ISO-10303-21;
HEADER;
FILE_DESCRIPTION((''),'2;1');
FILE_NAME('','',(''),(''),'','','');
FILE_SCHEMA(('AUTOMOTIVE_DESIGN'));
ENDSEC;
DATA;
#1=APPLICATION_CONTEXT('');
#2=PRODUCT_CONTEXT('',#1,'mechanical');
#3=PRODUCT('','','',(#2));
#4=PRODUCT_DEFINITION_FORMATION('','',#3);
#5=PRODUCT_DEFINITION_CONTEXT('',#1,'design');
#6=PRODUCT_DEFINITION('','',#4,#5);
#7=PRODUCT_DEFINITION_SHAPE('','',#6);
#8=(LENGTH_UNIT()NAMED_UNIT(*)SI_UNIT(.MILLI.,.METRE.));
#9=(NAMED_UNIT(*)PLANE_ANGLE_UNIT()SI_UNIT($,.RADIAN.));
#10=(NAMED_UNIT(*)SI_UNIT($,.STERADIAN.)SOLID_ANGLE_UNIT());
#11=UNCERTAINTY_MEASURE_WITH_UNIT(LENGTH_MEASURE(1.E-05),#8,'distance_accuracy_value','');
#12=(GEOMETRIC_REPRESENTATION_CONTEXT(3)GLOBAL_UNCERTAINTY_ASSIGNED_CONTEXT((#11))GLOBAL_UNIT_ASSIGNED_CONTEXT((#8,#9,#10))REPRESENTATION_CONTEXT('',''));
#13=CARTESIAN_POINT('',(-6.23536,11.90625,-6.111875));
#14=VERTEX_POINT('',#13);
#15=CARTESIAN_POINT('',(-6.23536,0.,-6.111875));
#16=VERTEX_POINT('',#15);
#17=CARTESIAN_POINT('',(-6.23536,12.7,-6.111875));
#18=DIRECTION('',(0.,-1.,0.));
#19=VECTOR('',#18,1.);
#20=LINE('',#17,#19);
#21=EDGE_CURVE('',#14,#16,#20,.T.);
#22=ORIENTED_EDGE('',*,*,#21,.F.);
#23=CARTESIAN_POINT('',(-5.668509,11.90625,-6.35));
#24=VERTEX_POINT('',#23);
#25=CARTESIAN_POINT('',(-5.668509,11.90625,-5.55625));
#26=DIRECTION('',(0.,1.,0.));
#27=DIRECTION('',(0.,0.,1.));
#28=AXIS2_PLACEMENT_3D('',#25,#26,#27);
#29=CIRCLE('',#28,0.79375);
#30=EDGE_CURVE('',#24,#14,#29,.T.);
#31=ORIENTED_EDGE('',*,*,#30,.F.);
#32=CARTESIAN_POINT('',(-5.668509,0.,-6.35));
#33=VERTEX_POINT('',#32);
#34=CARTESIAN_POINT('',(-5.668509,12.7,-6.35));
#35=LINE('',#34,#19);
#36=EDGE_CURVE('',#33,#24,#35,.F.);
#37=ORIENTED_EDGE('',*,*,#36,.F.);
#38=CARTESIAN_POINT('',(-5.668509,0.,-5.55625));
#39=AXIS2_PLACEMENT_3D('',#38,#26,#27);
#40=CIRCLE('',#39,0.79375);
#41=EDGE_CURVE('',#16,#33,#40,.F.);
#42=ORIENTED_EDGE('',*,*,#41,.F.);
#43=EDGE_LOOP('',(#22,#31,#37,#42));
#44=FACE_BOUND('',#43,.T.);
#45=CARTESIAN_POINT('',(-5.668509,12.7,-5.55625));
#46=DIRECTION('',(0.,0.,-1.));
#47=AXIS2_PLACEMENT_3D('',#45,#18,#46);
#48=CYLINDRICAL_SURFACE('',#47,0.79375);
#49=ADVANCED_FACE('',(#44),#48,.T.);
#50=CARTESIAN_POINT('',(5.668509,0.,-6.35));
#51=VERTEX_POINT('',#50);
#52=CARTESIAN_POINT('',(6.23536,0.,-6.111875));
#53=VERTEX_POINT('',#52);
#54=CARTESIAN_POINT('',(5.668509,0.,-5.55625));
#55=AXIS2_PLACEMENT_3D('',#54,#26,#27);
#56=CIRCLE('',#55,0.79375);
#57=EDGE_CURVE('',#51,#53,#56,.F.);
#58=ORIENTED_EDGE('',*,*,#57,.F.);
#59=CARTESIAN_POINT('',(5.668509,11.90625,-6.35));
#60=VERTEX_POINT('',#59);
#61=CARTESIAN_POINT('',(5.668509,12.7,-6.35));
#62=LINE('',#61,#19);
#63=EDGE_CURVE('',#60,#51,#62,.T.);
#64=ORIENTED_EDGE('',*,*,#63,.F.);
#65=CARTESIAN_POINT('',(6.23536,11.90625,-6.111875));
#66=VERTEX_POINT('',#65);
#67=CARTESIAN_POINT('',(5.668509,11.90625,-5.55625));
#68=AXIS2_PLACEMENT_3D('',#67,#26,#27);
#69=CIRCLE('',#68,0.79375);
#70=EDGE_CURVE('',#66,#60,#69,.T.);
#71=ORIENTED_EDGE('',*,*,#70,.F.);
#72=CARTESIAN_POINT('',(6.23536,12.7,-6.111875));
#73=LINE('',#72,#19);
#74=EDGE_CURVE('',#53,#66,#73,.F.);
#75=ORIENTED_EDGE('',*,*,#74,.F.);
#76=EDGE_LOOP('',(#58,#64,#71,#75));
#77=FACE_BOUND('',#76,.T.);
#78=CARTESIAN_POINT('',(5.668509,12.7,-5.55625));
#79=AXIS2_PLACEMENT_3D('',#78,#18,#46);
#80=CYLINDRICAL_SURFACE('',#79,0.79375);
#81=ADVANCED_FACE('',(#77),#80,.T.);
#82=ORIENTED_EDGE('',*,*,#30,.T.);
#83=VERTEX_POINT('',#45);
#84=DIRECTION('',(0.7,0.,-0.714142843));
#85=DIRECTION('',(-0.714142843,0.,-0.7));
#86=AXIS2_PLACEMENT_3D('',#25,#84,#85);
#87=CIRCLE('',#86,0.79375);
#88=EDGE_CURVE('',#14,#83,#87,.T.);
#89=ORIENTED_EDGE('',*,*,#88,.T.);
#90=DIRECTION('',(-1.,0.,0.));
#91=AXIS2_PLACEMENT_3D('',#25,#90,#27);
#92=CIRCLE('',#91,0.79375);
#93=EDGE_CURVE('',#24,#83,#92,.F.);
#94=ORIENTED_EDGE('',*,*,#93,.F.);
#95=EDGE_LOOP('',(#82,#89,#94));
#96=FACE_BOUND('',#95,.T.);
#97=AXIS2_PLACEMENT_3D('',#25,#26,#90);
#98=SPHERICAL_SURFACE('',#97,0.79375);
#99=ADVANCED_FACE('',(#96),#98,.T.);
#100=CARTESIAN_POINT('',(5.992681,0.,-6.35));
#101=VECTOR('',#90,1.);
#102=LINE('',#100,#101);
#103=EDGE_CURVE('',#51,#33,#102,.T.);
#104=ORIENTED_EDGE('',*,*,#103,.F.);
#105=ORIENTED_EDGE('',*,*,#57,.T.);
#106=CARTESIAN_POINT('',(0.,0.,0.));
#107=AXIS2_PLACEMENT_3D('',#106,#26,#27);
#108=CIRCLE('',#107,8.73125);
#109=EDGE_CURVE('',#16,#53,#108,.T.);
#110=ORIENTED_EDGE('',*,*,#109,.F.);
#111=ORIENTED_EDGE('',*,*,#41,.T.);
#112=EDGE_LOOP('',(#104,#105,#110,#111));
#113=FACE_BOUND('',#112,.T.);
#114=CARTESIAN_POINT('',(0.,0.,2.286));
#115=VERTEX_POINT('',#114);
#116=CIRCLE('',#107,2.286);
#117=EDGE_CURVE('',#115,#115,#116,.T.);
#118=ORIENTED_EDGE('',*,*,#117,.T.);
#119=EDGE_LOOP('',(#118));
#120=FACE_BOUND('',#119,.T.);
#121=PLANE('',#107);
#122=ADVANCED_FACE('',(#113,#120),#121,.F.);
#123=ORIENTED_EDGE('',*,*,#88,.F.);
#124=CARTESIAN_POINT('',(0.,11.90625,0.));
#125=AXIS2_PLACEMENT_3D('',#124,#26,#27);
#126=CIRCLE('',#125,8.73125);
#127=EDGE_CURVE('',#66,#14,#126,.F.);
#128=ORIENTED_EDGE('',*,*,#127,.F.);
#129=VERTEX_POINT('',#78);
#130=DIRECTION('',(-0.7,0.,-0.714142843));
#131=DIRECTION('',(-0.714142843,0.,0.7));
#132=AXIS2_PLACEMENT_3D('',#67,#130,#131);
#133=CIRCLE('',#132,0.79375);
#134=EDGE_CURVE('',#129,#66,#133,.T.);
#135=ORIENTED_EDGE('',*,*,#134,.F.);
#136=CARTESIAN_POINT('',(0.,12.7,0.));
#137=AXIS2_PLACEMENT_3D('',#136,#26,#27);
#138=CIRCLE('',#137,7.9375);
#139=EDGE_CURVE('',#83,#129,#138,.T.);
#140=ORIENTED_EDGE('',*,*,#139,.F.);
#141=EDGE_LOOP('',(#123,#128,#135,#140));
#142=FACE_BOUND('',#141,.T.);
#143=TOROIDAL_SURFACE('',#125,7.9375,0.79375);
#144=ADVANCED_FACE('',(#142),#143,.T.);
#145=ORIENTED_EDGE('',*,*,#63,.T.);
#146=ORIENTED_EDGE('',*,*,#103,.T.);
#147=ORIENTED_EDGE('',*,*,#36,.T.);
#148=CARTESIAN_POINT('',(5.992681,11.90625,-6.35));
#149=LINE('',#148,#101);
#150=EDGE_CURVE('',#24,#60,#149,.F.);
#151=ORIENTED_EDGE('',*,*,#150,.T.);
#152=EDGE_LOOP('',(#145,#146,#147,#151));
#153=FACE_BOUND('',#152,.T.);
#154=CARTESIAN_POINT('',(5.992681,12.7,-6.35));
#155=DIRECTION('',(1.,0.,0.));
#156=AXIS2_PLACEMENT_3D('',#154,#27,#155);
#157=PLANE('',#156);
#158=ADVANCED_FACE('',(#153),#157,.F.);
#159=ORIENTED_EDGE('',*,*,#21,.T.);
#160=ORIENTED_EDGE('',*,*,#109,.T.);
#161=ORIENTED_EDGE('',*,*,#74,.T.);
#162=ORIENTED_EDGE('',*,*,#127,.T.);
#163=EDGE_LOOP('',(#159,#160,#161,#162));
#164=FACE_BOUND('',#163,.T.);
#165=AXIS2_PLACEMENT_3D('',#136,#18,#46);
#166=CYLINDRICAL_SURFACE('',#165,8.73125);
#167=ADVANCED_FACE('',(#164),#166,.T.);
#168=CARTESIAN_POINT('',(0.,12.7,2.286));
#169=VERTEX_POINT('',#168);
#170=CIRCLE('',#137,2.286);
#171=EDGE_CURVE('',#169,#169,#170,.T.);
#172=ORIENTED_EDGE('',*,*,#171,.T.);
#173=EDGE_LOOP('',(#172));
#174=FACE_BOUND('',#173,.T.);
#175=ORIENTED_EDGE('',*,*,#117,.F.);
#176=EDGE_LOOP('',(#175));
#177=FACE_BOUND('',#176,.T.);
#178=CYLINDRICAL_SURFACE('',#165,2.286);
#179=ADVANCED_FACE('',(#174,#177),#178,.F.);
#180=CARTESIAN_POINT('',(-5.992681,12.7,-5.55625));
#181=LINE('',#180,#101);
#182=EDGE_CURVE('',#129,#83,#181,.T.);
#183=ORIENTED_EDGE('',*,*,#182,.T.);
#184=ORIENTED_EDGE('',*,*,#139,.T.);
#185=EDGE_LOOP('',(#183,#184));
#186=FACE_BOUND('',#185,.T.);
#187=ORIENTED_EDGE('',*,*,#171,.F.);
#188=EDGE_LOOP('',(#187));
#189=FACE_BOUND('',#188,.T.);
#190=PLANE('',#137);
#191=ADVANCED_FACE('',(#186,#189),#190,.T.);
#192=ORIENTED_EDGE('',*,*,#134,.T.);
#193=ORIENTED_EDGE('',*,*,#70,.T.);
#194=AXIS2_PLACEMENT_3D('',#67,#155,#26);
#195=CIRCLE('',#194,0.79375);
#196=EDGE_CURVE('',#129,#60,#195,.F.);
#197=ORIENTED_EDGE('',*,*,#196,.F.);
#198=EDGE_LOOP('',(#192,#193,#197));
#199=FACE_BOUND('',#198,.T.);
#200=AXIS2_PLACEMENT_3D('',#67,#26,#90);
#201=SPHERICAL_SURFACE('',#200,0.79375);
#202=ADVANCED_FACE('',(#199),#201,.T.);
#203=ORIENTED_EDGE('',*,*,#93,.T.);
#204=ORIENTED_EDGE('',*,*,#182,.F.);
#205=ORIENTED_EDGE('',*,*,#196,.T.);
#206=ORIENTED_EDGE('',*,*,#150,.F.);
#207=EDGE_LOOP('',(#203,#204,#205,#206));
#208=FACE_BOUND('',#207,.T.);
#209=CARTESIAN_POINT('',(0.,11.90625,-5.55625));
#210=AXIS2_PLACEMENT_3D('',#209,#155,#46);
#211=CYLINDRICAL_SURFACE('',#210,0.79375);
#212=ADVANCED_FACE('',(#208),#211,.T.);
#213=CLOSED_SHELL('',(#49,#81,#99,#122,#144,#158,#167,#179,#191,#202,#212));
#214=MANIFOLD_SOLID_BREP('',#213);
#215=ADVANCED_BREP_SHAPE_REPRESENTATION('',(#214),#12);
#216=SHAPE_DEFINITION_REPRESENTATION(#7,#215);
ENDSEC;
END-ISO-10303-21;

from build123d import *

# Parameters (mm, degrees)
SKETCH1_R           = 2.286
BOSS_EXTRUDE1_DEPTH = 12.7
FILLET1_R           = 0.79375


with BuildPart() as part:
    # Sketch1 → Boss-Extrude1 (new body)
    with BuildSketch(Plane(origin=(0, 0, 0), x_dir=(1, 0, 0), z_dir=(0, 1, 0))):
        with BuildLine():
            Line((5.992681083, 6.35), (-5.992681083, 6.35))
            ThreePointArc((-5.992681083, 6.35), (0, -8.73125), (5.992681083, 6.35))
        make_face()
        with Locations(Location((0, 0, 0), (0, 0, 270))):
            Circle(SKETCH1_R, mode=Mode.SUBTRACT)
    extrude(amount=BOSS_EXTRUDE1_DEPTH)

    # Fillet1
    fillet1_edges = [part.edges().sort_by_distance(p)[0] for p in [
        (-5.992681083, 6.35, -6.35),
        (5.992681083, 6.35, -6.35),
        (0, 12.7, 8.73125),
        (0, 12.7, -6.35),
    ]]
    fillet(fillet1_edges, radius=FILLET1_R)


solid = part.part
